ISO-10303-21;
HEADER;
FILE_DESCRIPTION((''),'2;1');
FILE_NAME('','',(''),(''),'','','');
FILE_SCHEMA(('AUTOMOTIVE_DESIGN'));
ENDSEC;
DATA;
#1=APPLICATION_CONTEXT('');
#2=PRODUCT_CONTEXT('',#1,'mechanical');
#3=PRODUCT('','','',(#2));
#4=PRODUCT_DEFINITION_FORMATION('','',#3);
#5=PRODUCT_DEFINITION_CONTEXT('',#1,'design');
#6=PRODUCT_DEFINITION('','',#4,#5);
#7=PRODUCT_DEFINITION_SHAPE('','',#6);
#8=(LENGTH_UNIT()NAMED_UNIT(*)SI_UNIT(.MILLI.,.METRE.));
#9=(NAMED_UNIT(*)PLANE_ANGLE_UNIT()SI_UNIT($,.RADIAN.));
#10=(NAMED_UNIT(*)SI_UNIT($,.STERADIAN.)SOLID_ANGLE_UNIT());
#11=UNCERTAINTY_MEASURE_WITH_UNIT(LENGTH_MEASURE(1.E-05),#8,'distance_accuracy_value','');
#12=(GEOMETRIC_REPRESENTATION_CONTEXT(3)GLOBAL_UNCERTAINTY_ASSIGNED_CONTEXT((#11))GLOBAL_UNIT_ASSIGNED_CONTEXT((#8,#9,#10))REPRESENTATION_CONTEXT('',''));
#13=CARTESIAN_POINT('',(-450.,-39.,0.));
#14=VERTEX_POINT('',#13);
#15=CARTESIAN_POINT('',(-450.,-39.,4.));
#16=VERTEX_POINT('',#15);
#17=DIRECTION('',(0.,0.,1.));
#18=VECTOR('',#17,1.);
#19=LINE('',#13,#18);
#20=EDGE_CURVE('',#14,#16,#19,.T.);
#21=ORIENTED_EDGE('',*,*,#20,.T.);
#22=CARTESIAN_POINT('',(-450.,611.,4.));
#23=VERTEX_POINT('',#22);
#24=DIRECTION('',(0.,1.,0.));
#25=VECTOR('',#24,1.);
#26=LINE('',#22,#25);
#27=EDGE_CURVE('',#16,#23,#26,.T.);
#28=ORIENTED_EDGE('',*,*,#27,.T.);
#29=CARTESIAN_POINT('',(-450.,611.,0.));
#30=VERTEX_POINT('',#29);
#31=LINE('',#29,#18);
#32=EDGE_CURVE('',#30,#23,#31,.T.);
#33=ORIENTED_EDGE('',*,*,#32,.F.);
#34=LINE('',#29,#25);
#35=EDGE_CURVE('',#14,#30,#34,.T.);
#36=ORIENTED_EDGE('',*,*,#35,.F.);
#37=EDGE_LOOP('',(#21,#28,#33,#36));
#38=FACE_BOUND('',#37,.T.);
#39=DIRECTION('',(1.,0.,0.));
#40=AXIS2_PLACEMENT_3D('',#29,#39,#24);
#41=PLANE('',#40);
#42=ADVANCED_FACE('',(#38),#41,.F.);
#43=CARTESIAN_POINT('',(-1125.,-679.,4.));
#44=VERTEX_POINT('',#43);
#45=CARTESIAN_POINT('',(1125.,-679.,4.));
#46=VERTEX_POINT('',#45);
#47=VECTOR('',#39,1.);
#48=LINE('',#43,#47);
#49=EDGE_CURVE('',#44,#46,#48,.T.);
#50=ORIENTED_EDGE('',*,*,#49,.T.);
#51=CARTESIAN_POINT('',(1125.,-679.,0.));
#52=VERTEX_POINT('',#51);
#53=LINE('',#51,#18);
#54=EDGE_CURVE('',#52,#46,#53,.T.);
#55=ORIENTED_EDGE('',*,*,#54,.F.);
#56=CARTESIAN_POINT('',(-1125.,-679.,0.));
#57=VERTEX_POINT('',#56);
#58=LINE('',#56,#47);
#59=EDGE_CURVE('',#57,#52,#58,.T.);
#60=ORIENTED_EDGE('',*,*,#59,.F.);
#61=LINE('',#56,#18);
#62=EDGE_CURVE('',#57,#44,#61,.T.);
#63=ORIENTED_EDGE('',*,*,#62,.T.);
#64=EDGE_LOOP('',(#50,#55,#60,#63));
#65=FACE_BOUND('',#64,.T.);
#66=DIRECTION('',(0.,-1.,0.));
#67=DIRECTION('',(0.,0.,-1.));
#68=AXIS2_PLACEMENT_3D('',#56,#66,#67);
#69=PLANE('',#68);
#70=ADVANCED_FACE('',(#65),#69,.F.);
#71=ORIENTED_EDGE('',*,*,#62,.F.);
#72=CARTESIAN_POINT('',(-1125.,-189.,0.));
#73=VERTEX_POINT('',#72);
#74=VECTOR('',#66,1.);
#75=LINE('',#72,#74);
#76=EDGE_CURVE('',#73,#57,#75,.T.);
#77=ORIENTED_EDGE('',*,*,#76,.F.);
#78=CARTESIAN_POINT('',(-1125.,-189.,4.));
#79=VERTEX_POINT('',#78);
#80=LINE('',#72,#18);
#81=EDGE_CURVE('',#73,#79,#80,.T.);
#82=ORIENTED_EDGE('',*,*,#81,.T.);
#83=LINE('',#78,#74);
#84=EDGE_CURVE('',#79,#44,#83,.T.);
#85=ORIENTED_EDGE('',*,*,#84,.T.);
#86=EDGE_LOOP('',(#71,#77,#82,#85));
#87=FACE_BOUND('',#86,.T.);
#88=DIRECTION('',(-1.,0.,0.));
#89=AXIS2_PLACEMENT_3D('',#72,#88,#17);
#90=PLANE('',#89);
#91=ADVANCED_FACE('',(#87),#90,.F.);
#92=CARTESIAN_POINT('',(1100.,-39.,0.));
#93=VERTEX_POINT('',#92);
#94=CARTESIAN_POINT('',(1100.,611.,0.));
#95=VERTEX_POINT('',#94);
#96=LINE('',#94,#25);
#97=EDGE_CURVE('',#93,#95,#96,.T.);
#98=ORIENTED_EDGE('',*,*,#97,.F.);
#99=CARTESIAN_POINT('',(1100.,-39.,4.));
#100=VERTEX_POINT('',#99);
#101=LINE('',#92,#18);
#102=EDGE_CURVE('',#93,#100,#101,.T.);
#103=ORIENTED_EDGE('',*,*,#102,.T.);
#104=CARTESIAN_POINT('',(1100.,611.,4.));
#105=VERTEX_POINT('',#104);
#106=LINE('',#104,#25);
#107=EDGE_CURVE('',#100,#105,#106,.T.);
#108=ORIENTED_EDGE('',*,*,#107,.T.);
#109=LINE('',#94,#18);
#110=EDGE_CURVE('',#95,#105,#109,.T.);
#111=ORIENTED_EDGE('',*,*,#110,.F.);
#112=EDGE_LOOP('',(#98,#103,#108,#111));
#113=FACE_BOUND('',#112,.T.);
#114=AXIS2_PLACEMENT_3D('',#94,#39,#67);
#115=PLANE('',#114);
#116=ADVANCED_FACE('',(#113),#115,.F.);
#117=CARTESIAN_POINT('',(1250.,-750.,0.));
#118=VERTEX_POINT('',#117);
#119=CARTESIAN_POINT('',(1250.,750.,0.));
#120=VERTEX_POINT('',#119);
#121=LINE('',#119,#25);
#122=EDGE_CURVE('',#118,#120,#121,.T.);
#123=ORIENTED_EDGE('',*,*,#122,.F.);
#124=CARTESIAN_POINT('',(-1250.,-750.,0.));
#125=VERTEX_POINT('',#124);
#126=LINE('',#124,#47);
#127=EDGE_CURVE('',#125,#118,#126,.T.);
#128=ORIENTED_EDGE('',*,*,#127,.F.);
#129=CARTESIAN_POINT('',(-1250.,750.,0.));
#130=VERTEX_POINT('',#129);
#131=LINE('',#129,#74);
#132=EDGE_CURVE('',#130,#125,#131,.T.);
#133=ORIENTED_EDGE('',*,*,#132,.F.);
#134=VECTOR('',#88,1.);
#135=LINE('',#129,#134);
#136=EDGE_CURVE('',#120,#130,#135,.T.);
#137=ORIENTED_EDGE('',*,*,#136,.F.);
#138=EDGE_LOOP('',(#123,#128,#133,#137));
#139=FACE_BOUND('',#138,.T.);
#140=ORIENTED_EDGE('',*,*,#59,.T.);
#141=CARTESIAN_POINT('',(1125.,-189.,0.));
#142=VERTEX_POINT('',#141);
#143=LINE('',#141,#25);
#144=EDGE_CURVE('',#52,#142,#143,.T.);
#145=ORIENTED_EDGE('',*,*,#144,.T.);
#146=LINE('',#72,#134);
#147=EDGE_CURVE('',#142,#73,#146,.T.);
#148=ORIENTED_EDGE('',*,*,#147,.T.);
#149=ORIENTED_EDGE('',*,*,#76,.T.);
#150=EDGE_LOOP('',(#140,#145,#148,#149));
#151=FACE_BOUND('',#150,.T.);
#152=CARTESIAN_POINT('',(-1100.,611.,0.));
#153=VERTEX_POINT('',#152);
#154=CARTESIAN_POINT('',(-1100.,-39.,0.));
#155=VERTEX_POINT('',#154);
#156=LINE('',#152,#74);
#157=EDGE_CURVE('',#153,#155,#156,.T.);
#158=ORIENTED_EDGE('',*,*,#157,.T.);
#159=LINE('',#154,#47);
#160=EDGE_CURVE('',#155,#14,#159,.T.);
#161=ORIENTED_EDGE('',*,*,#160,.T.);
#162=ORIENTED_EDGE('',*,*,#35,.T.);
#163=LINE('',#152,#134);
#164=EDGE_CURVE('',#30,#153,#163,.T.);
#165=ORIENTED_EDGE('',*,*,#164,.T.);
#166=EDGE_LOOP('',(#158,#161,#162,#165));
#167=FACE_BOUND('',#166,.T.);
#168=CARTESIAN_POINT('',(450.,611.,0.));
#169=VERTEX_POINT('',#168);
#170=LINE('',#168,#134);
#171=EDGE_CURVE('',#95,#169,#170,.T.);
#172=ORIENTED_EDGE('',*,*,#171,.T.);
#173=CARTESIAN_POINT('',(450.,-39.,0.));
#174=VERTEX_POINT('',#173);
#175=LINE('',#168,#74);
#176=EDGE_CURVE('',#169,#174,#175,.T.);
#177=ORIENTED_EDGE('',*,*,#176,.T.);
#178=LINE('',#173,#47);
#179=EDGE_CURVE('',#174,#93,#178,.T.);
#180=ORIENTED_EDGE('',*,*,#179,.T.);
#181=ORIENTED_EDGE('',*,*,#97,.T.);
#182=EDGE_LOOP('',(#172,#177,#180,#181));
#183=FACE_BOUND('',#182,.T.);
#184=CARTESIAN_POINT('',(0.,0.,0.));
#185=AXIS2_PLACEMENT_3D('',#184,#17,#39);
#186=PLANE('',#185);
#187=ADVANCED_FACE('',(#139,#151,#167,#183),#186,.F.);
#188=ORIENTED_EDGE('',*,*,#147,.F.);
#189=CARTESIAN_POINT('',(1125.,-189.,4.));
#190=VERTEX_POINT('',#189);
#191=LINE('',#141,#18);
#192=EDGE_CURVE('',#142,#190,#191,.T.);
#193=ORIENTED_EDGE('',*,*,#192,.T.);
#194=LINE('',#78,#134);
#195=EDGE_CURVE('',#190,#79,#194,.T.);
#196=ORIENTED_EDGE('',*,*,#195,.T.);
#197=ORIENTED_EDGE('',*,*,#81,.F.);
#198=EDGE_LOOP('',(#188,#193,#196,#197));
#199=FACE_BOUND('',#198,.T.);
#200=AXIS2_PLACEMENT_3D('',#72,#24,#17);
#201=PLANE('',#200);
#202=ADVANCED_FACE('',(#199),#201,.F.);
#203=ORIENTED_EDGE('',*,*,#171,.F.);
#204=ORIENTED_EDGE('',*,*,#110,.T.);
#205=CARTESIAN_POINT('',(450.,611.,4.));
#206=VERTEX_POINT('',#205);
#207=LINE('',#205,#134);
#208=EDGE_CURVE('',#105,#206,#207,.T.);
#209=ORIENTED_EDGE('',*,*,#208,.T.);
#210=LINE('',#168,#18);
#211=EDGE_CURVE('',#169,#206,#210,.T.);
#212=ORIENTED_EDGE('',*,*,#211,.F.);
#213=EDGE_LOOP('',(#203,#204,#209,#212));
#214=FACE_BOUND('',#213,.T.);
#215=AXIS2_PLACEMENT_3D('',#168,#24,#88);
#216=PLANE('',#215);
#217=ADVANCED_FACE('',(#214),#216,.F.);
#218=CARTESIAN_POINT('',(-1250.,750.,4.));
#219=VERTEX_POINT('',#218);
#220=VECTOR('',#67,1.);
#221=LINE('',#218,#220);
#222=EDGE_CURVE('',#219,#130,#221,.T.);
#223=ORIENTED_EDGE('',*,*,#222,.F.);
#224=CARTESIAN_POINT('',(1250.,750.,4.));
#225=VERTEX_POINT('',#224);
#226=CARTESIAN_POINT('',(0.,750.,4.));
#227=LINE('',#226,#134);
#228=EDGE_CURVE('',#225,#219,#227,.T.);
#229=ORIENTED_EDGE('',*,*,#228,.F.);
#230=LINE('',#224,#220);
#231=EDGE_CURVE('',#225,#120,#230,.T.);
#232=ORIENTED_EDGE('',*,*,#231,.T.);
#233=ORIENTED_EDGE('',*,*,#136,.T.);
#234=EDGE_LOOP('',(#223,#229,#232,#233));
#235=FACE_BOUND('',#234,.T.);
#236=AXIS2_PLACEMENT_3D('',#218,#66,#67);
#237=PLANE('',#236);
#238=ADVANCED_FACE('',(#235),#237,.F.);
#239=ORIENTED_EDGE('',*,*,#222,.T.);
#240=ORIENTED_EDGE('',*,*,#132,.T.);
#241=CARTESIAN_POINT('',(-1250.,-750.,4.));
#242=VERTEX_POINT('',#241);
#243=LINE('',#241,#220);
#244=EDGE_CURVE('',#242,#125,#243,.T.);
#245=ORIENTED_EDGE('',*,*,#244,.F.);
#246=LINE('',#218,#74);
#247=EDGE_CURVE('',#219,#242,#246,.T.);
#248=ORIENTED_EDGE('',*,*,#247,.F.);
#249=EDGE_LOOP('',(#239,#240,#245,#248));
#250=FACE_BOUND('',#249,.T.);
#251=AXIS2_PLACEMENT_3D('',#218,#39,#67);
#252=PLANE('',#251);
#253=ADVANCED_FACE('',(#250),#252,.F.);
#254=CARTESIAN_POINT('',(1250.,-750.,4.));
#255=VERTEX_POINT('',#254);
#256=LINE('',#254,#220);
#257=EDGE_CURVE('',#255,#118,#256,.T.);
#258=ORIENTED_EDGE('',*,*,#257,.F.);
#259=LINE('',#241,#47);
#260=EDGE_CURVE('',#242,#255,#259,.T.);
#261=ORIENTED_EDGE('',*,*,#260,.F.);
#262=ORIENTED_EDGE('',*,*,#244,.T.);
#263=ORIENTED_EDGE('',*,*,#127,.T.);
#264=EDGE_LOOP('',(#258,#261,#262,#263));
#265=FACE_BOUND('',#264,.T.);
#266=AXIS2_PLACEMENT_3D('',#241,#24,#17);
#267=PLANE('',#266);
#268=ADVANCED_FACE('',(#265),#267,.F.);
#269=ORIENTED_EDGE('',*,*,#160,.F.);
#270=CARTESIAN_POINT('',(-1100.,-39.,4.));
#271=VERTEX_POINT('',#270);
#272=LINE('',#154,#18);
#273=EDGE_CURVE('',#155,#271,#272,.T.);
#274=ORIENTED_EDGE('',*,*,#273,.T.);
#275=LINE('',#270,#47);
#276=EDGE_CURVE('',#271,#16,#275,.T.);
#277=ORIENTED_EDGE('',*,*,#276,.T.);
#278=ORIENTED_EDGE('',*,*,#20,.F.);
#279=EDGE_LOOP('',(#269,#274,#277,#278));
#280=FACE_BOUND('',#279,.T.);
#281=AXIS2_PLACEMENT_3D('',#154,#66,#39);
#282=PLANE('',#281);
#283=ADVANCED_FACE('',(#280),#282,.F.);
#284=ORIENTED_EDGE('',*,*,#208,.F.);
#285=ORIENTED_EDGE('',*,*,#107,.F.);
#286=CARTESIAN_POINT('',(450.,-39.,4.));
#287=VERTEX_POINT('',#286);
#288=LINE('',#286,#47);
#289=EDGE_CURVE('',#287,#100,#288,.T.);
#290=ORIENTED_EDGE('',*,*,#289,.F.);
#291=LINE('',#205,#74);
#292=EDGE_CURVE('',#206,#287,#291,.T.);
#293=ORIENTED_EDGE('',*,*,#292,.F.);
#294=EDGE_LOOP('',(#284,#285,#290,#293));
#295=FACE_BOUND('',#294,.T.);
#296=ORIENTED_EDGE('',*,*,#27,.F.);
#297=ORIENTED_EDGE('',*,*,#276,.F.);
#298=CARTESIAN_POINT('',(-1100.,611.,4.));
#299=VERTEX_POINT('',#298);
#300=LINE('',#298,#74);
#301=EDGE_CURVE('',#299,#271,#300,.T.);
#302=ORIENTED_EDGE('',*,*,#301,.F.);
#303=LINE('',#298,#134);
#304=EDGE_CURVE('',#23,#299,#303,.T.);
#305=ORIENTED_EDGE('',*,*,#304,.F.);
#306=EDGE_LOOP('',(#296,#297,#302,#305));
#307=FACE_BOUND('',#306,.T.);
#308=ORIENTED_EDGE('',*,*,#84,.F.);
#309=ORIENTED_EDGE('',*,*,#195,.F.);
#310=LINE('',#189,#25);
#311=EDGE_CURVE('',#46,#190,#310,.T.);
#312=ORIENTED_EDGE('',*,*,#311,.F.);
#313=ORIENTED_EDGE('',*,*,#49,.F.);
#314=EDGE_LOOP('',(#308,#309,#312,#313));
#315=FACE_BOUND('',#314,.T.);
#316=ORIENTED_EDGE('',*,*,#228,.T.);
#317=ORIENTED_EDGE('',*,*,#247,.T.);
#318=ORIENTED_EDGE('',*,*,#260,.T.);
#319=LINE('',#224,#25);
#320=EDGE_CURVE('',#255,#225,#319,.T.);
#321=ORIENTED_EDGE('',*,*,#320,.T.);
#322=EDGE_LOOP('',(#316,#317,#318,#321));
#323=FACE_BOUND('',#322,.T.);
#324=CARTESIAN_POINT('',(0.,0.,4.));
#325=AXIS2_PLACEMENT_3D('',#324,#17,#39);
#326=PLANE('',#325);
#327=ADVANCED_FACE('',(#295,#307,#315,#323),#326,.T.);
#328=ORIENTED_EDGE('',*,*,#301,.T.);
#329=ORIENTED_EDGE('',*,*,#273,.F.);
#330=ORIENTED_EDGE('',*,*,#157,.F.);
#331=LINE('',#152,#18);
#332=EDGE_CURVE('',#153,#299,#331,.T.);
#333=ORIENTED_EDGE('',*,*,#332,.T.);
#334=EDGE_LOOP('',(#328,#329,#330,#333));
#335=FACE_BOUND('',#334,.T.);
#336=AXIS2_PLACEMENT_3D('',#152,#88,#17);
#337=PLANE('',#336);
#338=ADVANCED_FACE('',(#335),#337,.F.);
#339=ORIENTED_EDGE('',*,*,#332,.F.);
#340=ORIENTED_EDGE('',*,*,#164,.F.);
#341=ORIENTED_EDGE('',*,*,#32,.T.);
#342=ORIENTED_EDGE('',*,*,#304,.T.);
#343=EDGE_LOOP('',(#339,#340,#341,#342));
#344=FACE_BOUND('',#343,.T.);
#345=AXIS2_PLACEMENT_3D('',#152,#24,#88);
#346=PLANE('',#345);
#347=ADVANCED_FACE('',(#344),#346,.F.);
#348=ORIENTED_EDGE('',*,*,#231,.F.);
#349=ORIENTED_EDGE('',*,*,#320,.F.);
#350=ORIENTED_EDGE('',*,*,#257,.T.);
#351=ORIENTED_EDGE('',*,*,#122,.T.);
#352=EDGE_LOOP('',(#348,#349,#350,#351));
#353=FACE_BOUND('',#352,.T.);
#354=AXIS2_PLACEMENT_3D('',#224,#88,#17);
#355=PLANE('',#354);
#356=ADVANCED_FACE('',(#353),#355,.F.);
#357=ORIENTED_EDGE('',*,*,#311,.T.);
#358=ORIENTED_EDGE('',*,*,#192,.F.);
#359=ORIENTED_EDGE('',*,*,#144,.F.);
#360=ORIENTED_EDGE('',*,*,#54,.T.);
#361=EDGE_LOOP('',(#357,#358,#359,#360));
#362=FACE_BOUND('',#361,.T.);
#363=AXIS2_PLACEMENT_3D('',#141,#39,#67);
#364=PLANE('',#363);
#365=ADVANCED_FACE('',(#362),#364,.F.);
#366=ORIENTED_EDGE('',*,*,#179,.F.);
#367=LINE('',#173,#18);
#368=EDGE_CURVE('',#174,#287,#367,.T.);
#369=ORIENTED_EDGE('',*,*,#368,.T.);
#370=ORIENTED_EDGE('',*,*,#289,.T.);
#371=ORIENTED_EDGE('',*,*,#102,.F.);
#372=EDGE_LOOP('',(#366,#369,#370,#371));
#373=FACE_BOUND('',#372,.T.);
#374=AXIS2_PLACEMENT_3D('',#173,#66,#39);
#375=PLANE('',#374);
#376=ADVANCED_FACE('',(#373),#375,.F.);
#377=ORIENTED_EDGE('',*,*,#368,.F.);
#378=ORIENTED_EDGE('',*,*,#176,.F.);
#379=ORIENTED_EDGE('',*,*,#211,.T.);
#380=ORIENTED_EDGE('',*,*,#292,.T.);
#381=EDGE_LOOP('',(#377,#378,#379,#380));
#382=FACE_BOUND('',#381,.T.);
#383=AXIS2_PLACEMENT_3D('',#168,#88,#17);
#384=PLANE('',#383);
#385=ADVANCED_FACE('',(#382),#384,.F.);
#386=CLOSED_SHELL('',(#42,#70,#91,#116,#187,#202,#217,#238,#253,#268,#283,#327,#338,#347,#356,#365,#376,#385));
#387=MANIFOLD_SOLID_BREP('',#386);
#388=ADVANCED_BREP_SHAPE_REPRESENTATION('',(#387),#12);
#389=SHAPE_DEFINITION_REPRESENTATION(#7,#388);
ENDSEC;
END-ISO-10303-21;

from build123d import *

# Parameters (mm, degrees)
BOSS_EXTRUDE1_DEPTH = 4
SKETCH3_W           = 650
SKETCH3_H           = 650
SKETCH3_W_2         = 2250
SKETCH3_H_2         = 490
CUT_EXTRUDE1_DEPTH  = 1458.743461656


with BuildPart() as part:
    # Sketch1 → Boss-Extrude1 (new body)
    with BuildSketch(Plane.XY):
        Polygon((-1250, 750), (0, 750), (1250, 750), (1250, -750), (-1250, -750), align=None)
    extrude(amount=BOSS_EXTRUDE1_DEPTH)

    # Sketch3 → Cut-Extrude1 (cut, through all)
    with BuildSketch(Plane.XY.offset(4)):
        with Locations((-775, 286)):
            Rectangle(SKETCH3_W, SKETCH3_H)
        with Locations((775, 286)):
            Rectangle(SKETCH3_W, SKETCH3_H)
        with Locations((0, -434)):
            Rectangle(SKETCH3_W_2, SKETCH3_H_2)
    extrude(amount=-CUT_EXTRUDE1_DEPTH, mode=Mode.SUBTRACT)


solid = part.part
